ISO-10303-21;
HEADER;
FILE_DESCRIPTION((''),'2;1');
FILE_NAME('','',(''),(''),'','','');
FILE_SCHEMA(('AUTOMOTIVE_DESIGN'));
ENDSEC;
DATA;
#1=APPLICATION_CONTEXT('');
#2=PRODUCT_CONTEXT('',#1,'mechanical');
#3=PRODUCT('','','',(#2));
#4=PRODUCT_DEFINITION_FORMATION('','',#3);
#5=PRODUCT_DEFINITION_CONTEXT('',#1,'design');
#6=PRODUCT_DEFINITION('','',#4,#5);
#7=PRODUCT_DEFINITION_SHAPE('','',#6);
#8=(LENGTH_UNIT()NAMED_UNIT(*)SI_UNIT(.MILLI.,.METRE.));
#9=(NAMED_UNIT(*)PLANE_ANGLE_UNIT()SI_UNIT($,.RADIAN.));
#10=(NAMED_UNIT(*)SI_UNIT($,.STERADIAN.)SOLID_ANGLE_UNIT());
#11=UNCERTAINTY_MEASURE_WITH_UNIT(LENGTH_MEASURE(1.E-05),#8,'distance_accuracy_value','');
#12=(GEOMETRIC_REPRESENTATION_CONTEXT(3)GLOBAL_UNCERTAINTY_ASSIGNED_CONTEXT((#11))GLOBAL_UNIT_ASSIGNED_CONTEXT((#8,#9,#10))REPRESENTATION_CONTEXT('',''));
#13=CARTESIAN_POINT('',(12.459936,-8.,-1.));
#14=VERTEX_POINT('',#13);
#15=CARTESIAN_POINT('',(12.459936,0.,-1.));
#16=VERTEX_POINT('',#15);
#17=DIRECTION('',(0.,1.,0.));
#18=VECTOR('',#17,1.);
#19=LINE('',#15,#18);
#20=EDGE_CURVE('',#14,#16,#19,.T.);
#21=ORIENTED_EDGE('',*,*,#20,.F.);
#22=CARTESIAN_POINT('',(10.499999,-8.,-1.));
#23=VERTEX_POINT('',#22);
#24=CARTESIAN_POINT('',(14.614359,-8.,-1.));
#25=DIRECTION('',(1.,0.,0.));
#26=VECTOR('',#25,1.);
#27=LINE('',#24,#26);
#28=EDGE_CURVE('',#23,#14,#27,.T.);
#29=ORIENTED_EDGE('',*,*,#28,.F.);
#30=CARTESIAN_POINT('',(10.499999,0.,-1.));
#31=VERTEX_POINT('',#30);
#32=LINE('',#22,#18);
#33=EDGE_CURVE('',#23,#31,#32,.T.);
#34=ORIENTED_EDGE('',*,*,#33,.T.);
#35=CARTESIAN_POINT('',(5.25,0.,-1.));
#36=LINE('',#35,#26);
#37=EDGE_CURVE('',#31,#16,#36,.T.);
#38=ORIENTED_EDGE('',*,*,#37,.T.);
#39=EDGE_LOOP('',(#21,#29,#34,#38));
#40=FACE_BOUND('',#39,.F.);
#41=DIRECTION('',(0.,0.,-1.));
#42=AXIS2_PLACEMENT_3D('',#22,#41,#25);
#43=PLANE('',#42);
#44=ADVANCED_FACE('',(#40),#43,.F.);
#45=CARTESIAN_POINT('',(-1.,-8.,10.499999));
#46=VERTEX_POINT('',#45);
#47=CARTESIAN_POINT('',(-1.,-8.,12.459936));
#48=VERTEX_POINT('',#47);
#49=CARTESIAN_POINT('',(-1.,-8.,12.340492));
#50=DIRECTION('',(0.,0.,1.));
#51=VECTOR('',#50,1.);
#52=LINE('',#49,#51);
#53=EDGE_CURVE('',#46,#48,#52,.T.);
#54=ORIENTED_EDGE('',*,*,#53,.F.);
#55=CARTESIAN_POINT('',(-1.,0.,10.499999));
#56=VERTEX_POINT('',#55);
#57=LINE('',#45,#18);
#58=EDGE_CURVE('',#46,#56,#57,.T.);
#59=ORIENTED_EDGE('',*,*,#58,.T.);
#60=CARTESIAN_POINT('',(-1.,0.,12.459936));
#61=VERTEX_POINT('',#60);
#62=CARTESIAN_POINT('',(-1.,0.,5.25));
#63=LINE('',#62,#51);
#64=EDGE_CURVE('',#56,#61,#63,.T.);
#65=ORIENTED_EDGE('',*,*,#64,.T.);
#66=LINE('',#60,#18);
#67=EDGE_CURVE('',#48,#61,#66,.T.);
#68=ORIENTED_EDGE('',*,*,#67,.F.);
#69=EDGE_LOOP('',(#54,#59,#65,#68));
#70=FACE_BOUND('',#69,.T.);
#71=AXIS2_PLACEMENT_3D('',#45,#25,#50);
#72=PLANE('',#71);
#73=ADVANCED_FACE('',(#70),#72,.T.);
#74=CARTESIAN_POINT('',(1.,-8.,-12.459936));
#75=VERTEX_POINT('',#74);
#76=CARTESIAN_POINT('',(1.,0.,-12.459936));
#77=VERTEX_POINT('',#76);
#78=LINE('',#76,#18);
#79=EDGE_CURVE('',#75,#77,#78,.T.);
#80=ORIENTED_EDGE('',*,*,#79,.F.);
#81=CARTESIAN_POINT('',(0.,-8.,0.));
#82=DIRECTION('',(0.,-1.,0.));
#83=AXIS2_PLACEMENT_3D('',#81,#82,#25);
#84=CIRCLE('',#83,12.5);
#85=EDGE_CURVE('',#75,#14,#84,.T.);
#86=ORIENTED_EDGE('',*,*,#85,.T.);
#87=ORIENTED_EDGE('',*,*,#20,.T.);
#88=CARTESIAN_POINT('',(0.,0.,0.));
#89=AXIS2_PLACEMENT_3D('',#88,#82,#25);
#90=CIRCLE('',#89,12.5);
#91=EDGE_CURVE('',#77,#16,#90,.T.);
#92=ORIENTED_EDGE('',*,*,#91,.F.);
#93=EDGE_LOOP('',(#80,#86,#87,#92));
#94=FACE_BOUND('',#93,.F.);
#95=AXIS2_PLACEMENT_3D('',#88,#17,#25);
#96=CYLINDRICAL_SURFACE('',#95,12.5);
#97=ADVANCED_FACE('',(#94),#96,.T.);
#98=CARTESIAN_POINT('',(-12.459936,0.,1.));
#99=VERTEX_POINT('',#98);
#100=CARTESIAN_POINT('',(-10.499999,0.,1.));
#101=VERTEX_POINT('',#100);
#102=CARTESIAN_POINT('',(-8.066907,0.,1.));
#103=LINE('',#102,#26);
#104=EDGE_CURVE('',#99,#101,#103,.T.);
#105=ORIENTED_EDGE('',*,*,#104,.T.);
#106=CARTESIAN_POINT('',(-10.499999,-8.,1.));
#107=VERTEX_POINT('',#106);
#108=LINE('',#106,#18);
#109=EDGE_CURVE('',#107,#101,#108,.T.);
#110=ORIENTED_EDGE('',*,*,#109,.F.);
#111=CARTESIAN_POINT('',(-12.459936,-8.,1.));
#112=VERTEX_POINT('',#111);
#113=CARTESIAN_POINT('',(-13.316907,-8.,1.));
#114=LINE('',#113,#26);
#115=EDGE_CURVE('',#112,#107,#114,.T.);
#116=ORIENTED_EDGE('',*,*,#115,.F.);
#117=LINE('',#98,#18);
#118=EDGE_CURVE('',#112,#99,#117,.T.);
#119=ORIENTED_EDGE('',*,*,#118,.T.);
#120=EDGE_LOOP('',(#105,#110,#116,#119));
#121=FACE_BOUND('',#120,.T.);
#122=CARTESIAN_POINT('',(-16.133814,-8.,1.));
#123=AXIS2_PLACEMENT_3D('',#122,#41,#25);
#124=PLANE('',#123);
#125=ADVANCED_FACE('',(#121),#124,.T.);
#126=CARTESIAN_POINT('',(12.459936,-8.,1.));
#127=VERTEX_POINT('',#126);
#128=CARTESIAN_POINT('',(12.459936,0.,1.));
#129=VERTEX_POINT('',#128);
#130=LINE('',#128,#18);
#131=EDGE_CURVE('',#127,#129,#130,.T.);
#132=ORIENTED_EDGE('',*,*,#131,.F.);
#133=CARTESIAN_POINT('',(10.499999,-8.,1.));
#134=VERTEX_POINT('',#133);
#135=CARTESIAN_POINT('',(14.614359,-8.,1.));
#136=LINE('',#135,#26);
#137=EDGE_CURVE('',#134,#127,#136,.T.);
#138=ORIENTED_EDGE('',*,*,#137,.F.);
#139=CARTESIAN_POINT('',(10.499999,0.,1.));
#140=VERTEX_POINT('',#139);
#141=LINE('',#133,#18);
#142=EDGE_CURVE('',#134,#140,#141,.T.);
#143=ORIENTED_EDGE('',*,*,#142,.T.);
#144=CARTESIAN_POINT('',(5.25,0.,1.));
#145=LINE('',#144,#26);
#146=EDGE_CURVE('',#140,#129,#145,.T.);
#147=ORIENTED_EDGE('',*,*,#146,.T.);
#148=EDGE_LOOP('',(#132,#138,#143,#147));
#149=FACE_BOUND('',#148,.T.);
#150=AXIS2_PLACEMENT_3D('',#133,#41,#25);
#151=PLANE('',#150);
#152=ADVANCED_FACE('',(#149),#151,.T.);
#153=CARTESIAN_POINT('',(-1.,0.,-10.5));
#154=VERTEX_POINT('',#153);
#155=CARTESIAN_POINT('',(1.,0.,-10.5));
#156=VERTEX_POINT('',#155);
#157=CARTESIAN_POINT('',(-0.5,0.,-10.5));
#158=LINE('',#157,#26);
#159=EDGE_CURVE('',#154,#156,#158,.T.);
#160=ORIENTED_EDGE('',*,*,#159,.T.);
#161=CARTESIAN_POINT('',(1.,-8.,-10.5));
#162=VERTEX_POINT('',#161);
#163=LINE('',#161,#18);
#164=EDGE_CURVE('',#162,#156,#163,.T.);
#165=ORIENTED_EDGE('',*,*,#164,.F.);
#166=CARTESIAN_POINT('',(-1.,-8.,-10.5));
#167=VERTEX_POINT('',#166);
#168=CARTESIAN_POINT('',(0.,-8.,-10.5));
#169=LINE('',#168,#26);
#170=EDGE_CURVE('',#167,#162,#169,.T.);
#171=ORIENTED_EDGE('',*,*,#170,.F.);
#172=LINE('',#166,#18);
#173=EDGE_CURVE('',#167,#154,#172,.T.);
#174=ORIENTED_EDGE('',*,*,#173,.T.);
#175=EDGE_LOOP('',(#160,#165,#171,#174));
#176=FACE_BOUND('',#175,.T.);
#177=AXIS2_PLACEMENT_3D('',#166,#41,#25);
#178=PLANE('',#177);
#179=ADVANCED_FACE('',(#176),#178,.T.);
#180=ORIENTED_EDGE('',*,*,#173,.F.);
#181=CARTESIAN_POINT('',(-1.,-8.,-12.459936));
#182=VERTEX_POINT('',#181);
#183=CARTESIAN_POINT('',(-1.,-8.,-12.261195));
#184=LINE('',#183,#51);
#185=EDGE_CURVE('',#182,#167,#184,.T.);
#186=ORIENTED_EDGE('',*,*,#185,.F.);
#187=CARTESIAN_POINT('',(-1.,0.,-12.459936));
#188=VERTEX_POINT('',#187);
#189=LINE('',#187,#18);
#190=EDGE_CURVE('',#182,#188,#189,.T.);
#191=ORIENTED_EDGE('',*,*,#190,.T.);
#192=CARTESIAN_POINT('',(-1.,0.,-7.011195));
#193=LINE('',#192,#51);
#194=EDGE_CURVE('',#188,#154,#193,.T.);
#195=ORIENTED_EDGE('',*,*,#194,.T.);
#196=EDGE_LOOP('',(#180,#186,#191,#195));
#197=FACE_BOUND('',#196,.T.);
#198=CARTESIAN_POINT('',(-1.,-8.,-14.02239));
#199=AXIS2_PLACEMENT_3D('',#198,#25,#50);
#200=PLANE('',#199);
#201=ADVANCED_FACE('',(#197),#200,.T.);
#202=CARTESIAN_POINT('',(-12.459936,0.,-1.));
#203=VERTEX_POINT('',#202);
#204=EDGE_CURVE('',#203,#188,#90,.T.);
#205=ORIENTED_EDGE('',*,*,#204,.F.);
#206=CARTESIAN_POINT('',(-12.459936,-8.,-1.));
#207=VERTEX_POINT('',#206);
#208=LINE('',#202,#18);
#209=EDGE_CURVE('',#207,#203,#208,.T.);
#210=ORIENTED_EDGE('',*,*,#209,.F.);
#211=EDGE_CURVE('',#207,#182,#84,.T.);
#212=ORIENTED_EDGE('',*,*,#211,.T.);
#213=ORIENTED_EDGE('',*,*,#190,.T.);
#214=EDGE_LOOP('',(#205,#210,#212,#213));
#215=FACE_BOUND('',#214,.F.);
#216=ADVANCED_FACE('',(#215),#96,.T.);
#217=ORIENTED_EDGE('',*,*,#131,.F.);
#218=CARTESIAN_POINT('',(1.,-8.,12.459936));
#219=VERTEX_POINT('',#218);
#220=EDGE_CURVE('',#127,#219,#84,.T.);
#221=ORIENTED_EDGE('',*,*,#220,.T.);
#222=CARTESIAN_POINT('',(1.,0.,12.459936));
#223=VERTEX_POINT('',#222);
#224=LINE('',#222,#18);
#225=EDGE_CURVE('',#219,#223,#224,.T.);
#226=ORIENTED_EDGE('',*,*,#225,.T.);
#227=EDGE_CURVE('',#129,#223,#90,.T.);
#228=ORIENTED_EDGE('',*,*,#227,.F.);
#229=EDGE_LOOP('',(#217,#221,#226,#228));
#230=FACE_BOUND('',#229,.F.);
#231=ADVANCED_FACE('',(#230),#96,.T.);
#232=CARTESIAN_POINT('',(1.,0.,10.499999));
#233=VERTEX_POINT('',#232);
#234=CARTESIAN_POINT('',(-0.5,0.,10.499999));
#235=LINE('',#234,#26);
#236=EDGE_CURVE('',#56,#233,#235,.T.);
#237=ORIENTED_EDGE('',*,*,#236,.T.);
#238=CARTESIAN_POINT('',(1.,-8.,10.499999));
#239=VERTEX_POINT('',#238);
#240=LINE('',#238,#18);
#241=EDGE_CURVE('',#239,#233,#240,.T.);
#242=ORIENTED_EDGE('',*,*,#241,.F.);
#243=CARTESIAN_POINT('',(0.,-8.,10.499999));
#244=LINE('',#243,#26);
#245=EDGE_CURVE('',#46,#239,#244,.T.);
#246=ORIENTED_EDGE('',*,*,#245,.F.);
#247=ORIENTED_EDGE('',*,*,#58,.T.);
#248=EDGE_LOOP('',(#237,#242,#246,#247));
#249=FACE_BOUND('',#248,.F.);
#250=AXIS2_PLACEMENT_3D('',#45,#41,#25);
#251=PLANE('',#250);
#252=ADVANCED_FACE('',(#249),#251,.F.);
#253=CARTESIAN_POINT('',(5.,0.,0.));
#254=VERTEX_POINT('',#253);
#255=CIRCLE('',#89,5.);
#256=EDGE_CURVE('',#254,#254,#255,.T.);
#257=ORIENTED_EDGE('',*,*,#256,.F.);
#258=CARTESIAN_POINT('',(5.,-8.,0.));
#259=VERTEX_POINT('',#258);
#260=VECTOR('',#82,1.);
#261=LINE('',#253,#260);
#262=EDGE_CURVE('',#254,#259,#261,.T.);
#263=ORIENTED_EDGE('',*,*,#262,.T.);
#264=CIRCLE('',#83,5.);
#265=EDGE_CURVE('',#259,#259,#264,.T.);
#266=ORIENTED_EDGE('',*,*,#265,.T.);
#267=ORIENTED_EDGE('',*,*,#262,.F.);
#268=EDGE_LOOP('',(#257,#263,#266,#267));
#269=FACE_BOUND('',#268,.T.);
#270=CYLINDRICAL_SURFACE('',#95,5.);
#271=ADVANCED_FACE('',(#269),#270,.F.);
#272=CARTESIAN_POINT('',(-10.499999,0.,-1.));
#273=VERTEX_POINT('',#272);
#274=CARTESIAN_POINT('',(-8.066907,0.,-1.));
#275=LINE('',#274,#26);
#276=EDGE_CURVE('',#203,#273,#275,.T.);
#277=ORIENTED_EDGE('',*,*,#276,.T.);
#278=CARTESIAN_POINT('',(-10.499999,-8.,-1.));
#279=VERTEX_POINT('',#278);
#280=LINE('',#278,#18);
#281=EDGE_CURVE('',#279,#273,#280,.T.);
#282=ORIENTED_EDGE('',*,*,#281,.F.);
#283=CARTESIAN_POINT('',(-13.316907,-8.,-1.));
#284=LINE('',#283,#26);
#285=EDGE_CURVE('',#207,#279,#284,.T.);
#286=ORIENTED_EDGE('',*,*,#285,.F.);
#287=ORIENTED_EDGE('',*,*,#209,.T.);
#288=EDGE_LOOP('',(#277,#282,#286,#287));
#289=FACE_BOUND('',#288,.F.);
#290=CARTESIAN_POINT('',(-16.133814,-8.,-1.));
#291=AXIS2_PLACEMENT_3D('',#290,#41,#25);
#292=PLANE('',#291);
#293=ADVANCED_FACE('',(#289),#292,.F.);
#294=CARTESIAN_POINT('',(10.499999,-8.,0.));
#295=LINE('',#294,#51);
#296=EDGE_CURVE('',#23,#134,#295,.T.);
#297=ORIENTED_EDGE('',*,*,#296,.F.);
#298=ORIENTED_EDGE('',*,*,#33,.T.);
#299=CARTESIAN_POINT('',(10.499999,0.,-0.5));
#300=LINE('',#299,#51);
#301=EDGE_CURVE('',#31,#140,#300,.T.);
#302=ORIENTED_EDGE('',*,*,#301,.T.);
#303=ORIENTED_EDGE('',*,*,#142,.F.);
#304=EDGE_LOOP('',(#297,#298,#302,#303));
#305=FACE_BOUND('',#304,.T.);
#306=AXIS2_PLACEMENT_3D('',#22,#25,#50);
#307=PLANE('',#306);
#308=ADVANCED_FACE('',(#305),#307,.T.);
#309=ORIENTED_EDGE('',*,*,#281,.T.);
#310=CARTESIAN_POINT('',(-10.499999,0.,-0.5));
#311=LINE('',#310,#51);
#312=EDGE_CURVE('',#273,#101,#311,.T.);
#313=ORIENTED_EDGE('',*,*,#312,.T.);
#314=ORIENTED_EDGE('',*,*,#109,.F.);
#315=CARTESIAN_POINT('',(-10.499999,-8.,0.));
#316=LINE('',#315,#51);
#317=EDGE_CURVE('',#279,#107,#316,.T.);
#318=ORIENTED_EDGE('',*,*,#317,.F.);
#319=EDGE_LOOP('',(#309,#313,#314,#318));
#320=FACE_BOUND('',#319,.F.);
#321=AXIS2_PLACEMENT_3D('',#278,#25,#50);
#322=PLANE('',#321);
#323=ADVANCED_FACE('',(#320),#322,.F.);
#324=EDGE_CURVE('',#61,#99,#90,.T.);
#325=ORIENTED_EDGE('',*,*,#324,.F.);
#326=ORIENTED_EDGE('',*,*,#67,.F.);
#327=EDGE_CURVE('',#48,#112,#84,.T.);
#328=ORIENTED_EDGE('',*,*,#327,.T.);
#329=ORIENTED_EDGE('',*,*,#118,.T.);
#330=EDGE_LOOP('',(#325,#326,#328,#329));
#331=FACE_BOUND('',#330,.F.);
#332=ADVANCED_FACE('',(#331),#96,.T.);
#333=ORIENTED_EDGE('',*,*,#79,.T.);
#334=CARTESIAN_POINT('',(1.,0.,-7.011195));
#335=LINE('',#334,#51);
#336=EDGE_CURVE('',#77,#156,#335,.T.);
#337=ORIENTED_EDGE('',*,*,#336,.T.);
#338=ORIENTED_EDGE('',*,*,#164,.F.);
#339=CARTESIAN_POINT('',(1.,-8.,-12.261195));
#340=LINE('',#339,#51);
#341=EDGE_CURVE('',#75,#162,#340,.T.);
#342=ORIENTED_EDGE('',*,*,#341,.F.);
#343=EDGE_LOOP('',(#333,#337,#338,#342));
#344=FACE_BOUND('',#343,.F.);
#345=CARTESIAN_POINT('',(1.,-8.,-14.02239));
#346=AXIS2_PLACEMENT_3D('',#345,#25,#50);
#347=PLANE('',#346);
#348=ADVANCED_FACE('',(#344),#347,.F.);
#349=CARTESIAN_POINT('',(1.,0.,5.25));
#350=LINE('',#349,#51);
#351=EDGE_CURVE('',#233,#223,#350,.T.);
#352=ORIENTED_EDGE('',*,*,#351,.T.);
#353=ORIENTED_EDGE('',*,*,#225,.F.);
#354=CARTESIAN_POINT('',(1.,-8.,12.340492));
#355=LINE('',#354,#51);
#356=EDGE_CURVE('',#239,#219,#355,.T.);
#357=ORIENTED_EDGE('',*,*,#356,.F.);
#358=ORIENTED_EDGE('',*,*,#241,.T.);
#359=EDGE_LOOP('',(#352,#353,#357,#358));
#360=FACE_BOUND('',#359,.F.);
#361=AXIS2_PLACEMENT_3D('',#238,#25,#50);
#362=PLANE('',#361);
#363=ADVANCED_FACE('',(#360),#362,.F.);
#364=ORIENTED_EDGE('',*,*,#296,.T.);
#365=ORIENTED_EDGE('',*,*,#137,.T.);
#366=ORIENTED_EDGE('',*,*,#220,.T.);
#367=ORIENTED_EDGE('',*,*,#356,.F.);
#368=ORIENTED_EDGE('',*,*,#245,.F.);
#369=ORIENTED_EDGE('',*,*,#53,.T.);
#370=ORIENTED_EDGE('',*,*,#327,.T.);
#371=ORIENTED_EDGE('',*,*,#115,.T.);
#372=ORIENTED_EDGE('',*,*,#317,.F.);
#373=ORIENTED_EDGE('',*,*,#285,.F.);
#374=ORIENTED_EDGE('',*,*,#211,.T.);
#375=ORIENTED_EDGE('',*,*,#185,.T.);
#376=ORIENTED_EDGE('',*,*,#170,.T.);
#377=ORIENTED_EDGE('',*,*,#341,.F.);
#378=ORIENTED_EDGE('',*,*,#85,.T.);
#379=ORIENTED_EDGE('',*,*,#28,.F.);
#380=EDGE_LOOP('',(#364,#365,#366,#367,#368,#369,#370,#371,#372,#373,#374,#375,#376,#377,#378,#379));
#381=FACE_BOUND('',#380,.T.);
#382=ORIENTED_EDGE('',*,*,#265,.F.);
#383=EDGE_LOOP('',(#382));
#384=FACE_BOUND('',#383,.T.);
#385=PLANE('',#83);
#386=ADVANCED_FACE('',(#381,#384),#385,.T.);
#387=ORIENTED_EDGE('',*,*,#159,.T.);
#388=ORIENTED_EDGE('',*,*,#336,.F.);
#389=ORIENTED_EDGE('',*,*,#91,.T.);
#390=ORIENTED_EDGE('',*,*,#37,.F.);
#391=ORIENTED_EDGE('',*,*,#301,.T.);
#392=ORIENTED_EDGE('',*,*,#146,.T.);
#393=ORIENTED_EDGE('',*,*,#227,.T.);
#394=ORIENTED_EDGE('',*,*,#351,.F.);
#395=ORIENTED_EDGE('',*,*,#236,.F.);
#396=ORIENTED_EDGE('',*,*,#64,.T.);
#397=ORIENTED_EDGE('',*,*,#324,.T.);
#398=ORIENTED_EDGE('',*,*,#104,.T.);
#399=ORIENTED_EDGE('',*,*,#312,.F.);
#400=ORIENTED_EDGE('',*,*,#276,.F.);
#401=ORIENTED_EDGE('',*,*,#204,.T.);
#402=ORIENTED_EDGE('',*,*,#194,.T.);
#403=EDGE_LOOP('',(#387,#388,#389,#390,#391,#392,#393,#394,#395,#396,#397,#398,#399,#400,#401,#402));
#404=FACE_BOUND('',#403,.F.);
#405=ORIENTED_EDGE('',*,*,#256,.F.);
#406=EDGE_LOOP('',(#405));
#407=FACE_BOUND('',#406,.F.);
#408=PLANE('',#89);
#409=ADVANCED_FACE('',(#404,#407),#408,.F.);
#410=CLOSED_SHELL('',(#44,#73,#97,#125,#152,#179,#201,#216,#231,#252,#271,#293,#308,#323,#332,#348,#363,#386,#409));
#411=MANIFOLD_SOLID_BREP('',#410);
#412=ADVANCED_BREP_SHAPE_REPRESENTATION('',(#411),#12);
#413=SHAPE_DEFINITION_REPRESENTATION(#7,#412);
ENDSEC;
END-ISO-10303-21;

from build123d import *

# Parameters (mm, degrees)
SKETCH_R        = 12.5
SKETCH_R_2      = 5
PAD_DEPTH       = 8
SKETCH001_W     = 8.228719
SKETCH001_H     = 2
SKETCH001_W_2   = 5.633815
POCKET_DEPTH    = 8.001
SKETCH002_W     = 2
SKETCH002_H     = 3.680985
SKETCH002_H_2   = 3.52239
POCKET001_DEPTH = 8.001


with BuildPart() as part:
    # Sketch → Pad (new body)
    with BuildSketch(Plane.XZ):
        Circle(SKETCH_R)
        Circle(SKETCH_R_2, mode=Mode.SUBTRACT)
    extrude(amount=PAD_DEPTH)

    # Sketch001 → Pocket (cut, through all)
    with BuildSketch(Plane.XZ.offset(8)):
        with Locations((14.614359, 0)):
            Rectangle(SKETCH001_W, SKETCH001_H)
        with Locations((-13.316907, 0)):
            Rectangle(SKETCH001_W_2, SKETCH001_H)
    extrude(amount=-POCKET_DEPTH, mode=Mode.SUBTRACT)

    # Sketch002 → Pocket001 (cut, through all)
    with BuildSketch(Plane.XZ.offset(8)):
        with Locations((0, 12.340492)):
            Rectangle(SKETCH002_W, SKETCH002_H)
        with Locations((0, -12.261195)):
            Rectangle(SKETCH002_W, SKETCH002_H_2)
    extrude(amount=-POCKET001_DEPTH, mode=Mode.SUBTRACT)


solid = part.part
